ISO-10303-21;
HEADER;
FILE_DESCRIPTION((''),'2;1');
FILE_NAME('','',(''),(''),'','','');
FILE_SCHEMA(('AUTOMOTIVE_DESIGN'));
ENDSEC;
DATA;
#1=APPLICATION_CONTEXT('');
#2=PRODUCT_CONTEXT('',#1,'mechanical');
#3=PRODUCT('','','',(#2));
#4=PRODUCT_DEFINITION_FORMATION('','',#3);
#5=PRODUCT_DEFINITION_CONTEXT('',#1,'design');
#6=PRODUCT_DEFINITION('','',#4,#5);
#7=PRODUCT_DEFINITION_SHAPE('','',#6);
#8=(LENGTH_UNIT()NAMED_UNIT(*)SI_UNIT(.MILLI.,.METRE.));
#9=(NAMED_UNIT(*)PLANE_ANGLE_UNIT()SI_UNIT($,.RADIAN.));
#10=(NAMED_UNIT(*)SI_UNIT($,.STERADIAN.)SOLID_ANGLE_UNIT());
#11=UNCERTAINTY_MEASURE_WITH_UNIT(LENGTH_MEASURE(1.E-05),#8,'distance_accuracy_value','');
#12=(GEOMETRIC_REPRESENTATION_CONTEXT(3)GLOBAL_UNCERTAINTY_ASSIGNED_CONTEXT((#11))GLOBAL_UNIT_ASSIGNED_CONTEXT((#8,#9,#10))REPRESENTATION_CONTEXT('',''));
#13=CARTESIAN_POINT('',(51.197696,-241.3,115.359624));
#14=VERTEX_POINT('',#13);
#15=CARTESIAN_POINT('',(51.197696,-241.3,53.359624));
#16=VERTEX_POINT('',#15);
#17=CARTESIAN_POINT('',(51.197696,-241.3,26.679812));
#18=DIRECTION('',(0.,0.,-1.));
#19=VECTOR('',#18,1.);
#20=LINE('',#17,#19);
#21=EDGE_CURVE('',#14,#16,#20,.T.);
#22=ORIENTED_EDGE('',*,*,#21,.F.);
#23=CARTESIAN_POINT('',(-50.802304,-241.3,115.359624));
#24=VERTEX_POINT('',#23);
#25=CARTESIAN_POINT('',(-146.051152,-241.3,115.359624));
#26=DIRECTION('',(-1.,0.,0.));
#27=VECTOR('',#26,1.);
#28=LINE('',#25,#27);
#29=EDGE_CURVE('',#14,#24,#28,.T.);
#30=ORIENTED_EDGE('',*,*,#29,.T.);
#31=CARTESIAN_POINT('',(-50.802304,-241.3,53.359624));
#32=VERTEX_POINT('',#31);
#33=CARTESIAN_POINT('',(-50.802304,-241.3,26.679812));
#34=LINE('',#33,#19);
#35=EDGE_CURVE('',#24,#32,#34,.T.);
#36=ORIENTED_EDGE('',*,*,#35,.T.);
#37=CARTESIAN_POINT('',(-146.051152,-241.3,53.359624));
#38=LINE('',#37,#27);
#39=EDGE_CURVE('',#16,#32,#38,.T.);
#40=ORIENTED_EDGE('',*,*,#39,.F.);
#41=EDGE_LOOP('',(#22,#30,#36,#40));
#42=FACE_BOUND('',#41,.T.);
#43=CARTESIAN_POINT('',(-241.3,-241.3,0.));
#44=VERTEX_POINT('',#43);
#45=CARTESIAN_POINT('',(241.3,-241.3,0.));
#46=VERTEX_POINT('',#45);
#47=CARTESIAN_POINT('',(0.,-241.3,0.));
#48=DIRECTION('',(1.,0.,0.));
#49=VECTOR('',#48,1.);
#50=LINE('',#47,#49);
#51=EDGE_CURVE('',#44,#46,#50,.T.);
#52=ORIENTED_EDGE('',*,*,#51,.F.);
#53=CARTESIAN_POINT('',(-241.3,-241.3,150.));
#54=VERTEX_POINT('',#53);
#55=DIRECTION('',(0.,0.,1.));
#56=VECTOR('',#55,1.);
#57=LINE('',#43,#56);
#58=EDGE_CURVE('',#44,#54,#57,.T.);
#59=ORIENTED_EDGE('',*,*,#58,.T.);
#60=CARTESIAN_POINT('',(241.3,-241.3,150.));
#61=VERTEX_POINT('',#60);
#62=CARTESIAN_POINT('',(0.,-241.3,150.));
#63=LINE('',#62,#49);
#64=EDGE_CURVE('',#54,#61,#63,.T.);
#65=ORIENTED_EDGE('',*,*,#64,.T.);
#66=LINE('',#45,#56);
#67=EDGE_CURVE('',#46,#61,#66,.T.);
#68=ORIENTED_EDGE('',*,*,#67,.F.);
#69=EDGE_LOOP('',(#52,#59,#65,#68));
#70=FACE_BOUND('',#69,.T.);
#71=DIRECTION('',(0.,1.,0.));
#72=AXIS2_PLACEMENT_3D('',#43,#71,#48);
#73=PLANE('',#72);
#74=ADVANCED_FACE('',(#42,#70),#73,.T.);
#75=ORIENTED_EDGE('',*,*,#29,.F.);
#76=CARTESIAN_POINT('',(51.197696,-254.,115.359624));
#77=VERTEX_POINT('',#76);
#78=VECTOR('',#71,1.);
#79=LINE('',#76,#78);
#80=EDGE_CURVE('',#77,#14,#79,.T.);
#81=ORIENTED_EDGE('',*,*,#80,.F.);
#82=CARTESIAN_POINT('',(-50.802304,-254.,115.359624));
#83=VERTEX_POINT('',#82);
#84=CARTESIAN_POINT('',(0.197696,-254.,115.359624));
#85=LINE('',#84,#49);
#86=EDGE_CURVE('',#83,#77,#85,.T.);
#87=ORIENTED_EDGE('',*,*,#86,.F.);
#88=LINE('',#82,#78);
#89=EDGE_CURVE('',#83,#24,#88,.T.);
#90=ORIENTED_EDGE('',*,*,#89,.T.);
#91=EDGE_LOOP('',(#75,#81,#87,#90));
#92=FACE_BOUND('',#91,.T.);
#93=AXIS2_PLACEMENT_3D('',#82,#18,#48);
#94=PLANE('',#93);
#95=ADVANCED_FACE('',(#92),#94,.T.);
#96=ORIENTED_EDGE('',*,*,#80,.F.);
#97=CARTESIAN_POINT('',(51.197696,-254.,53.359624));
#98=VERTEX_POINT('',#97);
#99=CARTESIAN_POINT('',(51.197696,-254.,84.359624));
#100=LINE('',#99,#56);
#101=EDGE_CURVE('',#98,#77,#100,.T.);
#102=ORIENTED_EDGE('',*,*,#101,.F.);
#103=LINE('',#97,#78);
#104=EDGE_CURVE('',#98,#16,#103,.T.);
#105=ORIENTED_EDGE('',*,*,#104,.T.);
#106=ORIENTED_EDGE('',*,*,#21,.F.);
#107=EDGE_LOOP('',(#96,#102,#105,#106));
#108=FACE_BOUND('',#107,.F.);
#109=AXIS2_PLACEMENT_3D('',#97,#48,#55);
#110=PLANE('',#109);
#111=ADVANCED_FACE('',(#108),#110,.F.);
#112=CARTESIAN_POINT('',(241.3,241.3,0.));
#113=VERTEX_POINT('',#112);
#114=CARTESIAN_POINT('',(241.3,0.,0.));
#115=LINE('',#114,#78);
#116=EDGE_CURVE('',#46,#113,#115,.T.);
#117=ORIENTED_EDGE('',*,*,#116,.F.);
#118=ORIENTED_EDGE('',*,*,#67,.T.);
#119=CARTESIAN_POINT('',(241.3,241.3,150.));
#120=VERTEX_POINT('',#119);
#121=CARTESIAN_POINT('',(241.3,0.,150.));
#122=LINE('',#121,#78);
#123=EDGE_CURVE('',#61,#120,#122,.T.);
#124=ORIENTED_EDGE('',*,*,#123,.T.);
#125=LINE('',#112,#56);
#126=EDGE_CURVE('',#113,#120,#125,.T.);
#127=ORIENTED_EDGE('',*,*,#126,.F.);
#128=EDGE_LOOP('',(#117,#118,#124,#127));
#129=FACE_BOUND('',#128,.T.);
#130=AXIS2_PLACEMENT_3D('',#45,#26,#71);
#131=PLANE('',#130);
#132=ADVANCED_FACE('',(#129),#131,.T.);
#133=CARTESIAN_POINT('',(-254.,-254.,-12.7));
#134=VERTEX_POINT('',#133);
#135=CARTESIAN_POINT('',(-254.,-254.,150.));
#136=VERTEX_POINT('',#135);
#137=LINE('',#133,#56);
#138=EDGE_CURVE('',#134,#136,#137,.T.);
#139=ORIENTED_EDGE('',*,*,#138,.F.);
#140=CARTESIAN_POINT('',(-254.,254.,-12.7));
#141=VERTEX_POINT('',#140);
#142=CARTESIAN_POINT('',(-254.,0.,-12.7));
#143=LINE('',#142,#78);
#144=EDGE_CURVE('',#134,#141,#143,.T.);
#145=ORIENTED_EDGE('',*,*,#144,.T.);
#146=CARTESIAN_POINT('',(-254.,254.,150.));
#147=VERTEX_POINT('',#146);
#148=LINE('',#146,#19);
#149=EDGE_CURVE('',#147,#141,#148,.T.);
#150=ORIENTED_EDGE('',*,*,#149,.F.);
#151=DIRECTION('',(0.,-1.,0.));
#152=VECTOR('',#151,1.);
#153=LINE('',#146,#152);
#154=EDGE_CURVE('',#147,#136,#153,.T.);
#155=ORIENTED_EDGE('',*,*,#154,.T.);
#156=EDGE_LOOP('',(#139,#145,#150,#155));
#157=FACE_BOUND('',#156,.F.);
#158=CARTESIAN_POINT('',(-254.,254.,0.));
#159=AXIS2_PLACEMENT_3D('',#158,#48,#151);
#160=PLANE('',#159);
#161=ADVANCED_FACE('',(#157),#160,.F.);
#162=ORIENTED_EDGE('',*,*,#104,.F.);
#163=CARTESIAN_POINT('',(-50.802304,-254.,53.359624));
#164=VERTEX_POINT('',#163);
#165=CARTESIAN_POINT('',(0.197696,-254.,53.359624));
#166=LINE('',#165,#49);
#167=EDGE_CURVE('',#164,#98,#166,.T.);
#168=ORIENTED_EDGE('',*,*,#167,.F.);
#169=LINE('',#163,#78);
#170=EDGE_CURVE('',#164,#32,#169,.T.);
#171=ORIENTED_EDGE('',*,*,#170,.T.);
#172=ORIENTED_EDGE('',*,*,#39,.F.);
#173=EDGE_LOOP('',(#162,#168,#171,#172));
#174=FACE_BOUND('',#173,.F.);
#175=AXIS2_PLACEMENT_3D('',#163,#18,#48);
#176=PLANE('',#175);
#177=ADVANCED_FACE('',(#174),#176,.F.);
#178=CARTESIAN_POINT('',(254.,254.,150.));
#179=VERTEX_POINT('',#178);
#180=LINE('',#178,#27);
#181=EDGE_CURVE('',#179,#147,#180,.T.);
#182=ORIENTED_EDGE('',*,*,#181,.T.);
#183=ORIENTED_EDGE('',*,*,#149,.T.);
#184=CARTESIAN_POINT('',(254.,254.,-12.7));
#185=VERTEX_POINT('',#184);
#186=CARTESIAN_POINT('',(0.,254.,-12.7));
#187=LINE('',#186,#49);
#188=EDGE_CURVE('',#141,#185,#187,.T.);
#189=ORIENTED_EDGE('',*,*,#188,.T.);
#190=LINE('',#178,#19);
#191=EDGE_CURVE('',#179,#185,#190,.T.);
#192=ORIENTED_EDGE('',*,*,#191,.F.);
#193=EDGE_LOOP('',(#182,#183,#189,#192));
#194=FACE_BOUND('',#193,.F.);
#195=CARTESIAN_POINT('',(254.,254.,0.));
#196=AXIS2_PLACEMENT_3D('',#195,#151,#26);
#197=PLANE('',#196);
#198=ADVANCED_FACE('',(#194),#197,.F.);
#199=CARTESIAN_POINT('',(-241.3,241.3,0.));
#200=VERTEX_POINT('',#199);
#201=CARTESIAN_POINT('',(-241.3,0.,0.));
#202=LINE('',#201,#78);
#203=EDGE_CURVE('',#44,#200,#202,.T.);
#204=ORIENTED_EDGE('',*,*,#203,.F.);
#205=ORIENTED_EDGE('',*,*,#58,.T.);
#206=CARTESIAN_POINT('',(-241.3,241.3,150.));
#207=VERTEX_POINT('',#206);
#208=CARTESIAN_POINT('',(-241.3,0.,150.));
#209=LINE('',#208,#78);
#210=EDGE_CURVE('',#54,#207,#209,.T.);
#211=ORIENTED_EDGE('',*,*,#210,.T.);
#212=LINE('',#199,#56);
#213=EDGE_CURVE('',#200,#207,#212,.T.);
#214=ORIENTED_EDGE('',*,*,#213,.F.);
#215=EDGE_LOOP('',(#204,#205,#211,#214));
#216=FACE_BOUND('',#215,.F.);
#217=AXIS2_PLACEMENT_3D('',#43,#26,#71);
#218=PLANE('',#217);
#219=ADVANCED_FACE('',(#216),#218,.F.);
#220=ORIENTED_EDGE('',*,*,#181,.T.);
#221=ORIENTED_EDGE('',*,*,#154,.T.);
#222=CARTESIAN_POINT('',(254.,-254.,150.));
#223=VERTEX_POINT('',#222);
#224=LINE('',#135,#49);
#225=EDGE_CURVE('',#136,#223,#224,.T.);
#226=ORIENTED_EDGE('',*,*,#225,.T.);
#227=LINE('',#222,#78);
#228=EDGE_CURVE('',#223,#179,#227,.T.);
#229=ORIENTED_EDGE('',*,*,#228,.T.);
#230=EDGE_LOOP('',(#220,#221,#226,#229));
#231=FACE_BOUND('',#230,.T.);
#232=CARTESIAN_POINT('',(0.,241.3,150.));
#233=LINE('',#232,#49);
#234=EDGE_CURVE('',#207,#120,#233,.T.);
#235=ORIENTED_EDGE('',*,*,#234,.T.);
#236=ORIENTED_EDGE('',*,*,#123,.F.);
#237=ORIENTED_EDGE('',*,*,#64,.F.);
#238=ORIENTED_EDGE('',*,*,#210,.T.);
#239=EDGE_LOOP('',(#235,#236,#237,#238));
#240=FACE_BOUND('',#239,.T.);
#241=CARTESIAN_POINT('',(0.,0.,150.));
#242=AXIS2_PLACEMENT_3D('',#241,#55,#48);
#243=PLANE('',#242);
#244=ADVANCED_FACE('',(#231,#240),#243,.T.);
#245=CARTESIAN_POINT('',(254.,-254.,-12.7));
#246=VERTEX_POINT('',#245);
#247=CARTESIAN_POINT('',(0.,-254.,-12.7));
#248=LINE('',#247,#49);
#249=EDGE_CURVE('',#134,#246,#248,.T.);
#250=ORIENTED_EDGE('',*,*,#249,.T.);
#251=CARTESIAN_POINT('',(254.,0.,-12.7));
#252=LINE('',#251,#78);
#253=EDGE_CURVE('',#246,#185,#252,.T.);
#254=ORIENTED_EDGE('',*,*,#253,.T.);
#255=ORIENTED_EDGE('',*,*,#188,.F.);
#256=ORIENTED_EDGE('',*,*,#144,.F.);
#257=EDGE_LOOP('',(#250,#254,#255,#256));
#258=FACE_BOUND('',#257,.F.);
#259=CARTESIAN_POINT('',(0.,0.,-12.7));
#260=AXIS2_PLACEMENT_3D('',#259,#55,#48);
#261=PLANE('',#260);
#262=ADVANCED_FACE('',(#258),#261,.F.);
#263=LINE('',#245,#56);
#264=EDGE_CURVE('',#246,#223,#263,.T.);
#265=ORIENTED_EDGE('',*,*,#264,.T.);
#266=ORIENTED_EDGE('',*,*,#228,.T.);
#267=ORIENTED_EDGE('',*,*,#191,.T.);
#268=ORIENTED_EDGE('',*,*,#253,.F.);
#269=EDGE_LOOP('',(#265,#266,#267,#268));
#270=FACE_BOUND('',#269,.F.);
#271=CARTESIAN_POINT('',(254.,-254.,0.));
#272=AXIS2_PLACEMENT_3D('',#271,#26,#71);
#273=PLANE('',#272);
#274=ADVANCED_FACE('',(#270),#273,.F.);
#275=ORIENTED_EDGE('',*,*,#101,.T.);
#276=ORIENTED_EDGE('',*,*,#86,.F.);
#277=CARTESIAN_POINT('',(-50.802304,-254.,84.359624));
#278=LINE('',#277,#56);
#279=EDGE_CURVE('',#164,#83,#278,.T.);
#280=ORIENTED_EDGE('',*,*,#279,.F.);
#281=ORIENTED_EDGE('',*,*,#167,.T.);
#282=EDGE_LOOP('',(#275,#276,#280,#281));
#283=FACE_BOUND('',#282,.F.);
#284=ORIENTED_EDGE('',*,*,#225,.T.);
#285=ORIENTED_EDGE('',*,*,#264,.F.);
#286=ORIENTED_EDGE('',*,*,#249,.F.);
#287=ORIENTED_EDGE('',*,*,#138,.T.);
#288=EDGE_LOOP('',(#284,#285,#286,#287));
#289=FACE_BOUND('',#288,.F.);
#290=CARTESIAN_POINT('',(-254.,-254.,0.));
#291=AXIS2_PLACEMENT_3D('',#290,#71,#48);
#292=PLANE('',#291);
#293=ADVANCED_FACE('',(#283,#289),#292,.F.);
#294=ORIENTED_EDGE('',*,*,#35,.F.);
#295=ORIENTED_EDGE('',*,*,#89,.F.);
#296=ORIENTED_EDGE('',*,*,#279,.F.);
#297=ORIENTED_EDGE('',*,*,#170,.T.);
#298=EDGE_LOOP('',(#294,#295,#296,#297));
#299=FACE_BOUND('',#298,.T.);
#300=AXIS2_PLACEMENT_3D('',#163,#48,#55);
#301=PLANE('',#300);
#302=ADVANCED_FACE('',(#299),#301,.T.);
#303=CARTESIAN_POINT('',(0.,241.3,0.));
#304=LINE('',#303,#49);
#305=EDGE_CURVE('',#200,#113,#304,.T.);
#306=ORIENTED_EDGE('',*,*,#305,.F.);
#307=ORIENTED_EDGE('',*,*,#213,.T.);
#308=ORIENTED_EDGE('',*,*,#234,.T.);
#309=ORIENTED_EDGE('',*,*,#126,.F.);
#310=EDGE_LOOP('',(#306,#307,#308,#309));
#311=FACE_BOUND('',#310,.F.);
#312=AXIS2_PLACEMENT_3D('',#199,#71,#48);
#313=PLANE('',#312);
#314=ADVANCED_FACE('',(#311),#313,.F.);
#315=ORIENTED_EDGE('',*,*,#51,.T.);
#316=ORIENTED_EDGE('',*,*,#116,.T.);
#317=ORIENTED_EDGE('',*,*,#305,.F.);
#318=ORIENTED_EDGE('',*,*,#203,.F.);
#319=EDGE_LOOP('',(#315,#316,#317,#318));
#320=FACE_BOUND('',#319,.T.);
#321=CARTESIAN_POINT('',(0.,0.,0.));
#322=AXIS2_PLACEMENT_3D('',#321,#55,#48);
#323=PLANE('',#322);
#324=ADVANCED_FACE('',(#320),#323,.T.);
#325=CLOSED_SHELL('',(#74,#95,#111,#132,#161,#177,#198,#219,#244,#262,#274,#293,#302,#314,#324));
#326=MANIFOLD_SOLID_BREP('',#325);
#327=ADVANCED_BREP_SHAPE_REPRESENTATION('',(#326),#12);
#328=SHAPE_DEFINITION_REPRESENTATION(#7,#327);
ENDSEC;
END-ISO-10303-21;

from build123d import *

# Parameters (mm, degrees)
F0_W     = 508
F0_H     = 508
F1_DEPTH = 12.7
F2_W     = 482.6
F2_H     = 482.6
F3_DEPTH = 150
F4_W     = 102
F4_H     = 62
F5_DEPTH = 50.8


with BuildPart() as f1:
    # F0 (on Top) → F1 (new body)
    with BuildSketch(Plane.XY):
        Rectangle(F0_W, F0_H)
    extrude(amount=-F1_DEPTH)

    # F2 (on face) → F3 (join)
    with BuildSketch(Plane.XY):
        Polygon((-241.3, 254), (-254, 254), (-254, 241.3), (-254, -233.078346), (-254, -241.3), (-254, -254), (-241.3, -254), (241.3, -254), (254, -254), (254, -241.3), (254, 241.3), (254, 254), (241.3, 254), align=None)
        Rectangle(F2_W, F2_H, mode=Mode.SUBTRACT)
    extrude(amount=F3_DEPTH)

    # F4 (on face) → F5 (cut)
    with BuildSketch(Plane.XZ.offset(254)):
        with Locations((0.197696, 84.359624)):
            Rectangle(F4_W, F4_H)
    extrude(amount=-F5_DEPTH, mode=Mode.SUBTRACT)


solid = f1.part
